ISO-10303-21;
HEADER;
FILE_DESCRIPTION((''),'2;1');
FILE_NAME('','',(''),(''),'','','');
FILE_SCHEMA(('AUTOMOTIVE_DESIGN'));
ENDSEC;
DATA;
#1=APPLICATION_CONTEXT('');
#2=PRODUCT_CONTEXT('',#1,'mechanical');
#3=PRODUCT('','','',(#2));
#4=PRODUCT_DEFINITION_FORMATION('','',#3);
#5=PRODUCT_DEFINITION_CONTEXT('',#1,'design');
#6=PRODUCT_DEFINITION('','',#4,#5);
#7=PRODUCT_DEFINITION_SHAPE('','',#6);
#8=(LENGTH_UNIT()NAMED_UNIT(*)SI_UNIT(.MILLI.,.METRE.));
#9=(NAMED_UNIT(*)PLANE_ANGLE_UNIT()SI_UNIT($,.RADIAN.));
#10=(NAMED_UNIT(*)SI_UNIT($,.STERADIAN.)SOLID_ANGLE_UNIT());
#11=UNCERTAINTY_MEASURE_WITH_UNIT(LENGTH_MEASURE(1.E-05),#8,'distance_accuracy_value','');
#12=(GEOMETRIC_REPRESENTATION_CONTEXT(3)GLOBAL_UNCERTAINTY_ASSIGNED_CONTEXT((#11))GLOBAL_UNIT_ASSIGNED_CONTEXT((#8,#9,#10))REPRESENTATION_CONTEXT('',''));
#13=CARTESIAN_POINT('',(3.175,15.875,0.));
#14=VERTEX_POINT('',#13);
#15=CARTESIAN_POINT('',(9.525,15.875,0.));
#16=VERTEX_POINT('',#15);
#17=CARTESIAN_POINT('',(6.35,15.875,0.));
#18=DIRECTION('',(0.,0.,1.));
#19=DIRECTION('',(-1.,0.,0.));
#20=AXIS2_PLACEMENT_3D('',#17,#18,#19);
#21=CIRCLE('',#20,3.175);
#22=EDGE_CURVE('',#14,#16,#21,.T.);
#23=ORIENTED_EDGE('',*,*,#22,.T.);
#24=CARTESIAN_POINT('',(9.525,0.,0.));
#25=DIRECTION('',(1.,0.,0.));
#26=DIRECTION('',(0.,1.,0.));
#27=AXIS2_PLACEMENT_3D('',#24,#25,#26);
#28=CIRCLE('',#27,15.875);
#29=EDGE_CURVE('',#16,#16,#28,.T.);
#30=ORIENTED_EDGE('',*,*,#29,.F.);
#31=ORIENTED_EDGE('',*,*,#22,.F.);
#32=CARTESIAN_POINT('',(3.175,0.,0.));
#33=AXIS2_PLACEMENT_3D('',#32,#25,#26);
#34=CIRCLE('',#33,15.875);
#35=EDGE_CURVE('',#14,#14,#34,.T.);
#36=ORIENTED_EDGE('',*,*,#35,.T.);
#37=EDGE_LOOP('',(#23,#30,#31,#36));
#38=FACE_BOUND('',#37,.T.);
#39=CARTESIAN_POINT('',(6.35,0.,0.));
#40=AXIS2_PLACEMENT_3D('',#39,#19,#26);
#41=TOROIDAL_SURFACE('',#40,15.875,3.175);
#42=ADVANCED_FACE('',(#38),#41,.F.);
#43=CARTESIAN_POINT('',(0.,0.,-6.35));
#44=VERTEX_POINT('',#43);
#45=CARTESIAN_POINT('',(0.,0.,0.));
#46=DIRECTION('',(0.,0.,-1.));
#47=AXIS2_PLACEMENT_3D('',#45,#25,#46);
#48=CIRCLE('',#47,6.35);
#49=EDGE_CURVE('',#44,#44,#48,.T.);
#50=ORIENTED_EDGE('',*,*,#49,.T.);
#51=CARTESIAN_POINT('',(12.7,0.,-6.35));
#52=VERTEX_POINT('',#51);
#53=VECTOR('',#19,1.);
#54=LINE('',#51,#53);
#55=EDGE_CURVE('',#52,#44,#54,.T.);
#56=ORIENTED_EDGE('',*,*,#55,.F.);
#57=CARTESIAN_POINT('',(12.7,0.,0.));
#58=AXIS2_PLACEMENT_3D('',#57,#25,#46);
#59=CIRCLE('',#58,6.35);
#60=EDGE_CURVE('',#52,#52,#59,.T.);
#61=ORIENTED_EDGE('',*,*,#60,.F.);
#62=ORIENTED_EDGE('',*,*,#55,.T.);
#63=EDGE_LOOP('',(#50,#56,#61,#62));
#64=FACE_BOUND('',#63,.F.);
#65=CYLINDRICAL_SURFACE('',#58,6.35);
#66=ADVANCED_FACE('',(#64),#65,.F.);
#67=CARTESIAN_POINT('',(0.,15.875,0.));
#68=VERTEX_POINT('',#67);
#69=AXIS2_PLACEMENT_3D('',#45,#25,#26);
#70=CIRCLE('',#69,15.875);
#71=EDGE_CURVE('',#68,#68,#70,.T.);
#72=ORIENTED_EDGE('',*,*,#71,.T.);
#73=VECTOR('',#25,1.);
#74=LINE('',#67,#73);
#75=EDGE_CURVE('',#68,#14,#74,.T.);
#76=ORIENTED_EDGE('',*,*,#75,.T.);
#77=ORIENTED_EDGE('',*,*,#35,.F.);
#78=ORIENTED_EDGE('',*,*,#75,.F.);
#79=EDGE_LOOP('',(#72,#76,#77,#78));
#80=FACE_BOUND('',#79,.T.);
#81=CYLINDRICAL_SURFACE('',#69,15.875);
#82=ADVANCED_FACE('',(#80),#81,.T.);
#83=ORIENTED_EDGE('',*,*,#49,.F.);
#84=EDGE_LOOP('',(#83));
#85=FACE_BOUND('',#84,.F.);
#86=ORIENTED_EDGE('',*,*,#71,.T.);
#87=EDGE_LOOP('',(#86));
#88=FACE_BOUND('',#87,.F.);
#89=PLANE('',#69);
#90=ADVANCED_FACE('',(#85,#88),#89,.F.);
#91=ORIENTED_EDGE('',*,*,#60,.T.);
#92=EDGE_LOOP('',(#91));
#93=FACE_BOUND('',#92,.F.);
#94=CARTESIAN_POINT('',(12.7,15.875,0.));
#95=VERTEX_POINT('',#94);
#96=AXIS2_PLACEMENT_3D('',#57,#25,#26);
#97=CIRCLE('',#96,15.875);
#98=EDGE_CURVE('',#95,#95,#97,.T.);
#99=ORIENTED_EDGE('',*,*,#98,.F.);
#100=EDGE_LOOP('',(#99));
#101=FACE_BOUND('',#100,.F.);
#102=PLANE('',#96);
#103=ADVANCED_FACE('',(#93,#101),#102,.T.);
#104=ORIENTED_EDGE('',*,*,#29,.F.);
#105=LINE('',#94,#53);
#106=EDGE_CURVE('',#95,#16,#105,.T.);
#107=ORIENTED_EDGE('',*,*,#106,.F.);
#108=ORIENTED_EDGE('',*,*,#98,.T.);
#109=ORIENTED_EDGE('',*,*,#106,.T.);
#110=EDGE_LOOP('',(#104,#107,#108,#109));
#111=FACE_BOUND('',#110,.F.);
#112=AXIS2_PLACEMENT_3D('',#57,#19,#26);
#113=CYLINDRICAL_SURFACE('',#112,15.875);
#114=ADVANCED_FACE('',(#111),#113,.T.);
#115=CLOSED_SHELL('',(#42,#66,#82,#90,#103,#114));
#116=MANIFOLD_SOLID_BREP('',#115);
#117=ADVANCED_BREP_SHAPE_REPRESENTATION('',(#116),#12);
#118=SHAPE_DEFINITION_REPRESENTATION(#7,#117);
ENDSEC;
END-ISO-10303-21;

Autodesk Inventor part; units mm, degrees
ref_plane "YZ Plane" through (0, 0, 0) normal (1, 0, 0) x (0, 1, 0)
ref_plane "XZ Plane" through (0, 0, 0) normal (0, 1, 0) x (-1, 0, 0)
ref_plane "XY Plane" through (0, 0, 0) normal (0, 0, 1) x (1, 0, 0)
sketch "Sketch1" plane through (0, 0, 0) normal (0, 0, 1) x (1, 0, 0)
  line L0 (0, 0) -> (12.7, 0)
  line L1 (12.7, 0) -> (12.7, 15.875)
  line L2 (0, 15.875) -> (0, 0)
  line L3 (0, 15.875) -> (3.175, 15.875)
  line L4 (12.7, 15.875) -> (9.525, 15.875)
  arc A0 (3.175, 15.875) -> (9.525, 15.875) centre (6.35, 15.875) ccw
  dimension "d0" = 12.7
  dimension "d1" = 15.875
  dimension "d2" = 3.175
  dimension "d3" = 3.175
revolve "Revolution1" add sketch "Sketch1" angle 360 about axis through (0, 0, 0) along (1, 0, 0)
sketch "Sketch2" plane through (12.7, 0, 0) normal (1, 0, 0) x (0, 0, -1)
  circle A0 centre (0, 0) radius 15.875 projected
  circle A1 centre (0, 0) radius 6.35
  dimension "d5" = 12.7
extrude "Extrusion1" cut sketch "Sketch2" against normal blind 25.4 contours A1
properties part number "polycord pully"
